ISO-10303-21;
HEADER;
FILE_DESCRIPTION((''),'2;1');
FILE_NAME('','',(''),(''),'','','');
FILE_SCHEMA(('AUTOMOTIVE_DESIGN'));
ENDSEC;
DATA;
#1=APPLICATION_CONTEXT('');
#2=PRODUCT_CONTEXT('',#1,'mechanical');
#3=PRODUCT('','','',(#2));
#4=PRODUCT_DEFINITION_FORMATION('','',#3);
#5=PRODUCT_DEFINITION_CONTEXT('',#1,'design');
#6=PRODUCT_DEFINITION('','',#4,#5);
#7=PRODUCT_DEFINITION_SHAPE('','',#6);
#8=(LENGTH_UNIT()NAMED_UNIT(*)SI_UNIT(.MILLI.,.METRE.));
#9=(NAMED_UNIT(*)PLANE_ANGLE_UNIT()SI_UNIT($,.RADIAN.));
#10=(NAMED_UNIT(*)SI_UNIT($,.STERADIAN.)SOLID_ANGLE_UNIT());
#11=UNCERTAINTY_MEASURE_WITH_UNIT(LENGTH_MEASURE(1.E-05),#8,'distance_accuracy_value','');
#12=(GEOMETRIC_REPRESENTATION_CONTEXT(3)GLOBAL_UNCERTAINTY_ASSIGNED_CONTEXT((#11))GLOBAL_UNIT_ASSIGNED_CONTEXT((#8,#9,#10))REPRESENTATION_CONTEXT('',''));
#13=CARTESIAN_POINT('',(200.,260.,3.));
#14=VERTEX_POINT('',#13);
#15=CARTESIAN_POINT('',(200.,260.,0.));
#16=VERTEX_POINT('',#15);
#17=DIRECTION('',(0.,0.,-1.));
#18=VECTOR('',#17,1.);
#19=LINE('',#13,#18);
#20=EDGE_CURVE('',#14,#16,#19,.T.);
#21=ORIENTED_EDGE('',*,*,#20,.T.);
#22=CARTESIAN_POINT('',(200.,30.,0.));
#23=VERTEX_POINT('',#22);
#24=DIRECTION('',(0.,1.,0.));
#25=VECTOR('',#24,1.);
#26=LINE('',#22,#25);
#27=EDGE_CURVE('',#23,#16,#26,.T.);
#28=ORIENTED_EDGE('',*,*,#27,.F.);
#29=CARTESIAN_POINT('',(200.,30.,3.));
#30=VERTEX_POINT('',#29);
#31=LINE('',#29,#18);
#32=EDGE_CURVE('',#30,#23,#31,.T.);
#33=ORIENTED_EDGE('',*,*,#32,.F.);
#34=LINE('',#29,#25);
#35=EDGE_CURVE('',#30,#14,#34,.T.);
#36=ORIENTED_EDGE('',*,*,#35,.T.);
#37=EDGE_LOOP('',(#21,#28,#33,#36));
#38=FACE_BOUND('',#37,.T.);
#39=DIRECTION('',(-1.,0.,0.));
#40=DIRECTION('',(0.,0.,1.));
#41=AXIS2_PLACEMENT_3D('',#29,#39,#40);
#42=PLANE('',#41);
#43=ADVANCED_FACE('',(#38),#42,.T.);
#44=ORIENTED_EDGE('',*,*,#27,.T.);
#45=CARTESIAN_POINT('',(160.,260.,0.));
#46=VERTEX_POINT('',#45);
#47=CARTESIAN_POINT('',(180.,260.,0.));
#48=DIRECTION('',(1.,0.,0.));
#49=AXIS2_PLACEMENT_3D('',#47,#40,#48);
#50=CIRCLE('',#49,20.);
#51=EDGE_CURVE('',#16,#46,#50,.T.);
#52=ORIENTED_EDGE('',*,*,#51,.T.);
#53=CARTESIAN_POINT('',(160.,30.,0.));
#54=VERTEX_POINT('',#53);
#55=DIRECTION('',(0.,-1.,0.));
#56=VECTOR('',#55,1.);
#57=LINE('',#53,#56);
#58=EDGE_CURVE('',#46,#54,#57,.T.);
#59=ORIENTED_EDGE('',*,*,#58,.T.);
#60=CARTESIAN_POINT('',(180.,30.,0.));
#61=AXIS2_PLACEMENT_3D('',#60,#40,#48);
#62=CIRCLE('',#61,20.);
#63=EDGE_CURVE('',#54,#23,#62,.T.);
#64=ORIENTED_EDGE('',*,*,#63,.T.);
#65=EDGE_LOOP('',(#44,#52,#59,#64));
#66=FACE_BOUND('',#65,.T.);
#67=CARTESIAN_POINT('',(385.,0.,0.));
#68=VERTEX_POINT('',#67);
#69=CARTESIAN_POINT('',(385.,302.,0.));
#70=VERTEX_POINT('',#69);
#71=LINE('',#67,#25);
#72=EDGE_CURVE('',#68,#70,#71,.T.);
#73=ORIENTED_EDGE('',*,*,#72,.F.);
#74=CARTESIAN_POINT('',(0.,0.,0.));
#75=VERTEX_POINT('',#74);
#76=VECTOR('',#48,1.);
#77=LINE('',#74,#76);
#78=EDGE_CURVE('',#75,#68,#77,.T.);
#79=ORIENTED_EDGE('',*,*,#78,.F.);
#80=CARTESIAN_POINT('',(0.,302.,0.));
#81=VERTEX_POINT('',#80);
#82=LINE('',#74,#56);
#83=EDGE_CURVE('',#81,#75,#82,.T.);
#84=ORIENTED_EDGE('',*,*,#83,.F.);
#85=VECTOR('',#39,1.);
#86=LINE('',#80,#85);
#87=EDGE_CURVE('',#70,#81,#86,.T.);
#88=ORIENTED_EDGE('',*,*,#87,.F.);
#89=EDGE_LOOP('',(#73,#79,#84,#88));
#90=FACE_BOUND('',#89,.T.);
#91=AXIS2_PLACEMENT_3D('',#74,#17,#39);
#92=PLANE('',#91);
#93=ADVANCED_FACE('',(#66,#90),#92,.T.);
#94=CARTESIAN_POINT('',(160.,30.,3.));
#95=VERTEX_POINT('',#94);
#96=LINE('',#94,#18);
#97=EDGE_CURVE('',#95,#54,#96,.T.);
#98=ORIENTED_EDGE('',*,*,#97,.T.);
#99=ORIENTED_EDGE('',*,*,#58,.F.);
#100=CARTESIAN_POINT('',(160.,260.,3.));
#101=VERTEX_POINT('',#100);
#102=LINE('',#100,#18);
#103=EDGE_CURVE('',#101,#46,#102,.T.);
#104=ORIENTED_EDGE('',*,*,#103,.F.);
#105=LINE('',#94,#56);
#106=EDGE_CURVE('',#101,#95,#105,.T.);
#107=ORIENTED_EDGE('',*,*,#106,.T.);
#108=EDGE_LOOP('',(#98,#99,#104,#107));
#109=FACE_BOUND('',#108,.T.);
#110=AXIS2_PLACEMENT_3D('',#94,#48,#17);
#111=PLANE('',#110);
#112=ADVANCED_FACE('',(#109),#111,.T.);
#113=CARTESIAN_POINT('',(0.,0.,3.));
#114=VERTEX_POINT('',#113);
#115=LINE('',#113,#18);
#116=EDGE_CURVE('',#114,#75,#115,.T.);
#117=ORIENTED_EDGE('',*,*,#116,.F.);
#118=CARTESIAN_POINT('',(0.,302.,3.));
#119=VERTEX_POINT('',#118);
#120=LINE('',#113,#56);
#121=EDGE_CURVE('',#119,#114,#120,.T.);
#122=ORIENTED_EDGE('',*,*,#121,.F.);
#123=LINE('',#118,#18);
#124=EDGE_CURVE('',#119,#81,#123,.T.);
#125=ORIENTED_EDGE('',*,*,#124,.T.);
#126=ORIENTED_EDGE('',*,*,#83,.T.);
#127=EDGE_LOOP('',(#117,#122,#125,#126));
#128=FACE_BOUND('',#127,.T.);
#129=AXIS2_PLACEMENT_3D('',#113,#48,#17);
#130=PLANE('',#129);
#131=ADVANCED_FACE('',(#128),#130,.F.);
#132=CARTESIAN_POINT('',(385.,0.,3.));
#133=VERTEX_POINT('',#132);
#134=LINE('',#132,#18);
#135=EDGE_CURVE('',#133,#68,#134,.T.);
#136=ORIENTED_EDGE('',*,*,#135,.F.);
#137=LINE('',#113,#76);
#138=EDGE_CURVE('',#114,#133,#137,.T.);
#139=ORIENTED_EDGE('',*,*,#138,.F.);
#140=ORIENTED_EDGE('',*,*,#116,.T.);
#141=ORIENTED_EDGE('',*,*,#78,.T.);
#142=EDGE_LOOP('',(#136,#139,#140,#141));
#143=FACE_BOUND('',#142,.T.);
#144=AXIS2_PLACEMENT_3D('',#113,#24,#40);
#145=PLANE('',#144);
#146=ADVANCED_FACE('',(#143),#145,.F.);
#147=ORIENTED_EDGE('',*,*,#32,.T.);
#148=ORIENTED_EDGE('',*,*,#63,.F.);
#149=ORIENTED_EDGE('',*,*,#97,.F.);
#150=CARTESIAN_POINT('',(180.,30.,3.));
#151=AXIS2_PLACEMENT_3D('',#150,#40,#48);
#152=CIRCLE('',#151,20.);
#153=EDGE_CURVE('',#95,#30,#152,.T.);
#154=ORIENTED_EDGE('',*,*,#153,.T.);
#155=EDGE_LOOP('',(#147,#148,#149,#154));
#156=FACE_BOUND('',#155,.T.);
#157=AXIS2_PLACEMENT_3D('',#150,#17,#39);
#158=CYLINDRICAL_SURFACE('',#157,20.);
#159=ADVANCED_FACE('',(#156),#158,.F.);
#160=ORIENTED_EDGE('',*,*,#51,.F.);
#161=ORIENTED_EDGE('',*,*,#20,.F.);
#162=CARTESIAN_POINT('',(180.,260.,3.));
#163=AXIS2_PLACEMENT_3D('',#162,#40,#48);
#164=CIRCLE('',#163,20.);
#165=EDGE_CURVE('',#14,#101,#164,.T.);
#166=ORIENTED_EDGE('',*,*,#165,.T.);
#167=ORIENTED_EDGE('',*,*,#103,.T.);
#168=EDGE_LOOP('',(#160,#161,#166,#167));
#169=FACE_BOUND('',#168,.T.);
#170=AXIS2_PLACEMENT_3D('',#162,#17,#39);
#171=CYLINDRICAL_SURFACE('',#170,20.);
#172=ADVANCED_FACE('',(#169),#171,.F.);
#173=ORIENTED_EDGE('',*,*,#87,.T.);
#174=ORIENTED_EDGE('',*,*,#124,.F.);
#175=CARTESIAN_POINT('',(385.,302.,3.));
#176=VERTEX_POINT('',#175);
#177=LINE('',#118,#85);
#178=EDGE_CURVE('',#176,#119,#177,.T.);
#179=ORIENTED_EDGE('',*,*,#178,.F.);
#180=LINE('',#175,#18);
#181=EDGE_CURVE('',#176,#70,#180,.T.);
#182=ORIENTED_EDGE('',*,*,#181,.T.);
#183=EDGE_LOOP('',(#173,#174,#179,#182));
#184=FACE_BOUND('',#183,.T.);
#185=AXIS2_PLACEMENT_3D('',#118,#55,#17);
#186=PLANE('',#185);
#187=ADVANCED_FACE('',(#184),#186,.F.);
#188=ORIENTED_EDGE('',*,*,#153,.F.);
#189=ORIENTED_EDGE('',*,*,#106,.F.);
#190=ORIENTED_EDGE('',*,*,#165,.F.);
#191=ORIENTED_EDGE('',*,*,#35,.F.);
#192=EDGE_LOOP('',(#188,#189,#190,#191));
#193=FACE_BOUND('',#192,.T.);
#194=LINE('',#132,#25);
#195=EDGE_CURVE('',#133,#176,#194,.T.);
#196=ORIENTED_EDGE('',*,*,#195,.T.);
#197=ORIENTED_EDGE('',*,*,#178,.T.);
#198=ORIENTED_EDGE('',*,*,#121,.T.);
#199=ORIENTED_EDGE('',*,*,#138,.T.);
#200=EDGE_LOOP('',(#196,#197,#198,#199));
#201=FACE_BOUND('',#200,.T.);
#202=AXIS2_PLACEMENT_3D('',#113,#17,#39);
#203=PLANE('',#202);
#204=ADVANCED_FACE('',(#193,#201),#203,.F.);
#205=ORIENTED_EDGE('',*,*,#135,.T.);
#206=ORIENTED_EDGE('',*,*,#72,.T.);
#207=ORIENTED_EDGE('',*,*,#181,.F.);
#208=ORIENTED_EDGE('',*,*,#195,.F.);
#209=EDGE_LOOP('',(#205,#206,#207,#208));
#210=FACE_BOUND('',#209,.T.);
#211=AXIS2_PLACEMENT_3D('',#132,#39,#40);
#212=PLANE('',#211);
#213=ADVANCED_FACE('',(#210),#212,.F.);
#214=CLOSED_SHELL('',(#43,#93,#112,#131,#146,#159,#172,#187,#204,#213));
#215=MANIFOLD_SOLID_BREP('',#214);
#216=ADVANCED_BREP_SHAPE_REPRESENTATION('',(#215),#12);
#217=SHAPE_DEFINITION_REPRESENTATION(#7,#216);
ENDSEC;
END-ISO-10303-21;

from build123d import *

# Parameters (mm, degrees)
CROQUIS1_W              = 385
CROQUIS1_H              = 302
SALIENTE_EXTRUIR1_DEPTH = 3


with BuildPart() as part:
    # Croquis1 → Saliente-Extruir1 (new body)
    with BuildSketch(Plane.XY):
        with Locations((192.5, 151)):
            Rectangle(CROQUIS1_W, CROQUIS1_H)
        with BuildLine():
            Line((160, 30), (160, 260))
            ThreePointArc((160, 260), (180, 280), (200, 260))
            Line((200, 260), (200, 30))
            ThreePointArc((200, 30), (180, 10), (160, 30))
        make_face(mode=Mode.SUBTRACT)
    extrude(amount=SALIENTE_EXTRUIR1_DEPTH)


solid = part.part
